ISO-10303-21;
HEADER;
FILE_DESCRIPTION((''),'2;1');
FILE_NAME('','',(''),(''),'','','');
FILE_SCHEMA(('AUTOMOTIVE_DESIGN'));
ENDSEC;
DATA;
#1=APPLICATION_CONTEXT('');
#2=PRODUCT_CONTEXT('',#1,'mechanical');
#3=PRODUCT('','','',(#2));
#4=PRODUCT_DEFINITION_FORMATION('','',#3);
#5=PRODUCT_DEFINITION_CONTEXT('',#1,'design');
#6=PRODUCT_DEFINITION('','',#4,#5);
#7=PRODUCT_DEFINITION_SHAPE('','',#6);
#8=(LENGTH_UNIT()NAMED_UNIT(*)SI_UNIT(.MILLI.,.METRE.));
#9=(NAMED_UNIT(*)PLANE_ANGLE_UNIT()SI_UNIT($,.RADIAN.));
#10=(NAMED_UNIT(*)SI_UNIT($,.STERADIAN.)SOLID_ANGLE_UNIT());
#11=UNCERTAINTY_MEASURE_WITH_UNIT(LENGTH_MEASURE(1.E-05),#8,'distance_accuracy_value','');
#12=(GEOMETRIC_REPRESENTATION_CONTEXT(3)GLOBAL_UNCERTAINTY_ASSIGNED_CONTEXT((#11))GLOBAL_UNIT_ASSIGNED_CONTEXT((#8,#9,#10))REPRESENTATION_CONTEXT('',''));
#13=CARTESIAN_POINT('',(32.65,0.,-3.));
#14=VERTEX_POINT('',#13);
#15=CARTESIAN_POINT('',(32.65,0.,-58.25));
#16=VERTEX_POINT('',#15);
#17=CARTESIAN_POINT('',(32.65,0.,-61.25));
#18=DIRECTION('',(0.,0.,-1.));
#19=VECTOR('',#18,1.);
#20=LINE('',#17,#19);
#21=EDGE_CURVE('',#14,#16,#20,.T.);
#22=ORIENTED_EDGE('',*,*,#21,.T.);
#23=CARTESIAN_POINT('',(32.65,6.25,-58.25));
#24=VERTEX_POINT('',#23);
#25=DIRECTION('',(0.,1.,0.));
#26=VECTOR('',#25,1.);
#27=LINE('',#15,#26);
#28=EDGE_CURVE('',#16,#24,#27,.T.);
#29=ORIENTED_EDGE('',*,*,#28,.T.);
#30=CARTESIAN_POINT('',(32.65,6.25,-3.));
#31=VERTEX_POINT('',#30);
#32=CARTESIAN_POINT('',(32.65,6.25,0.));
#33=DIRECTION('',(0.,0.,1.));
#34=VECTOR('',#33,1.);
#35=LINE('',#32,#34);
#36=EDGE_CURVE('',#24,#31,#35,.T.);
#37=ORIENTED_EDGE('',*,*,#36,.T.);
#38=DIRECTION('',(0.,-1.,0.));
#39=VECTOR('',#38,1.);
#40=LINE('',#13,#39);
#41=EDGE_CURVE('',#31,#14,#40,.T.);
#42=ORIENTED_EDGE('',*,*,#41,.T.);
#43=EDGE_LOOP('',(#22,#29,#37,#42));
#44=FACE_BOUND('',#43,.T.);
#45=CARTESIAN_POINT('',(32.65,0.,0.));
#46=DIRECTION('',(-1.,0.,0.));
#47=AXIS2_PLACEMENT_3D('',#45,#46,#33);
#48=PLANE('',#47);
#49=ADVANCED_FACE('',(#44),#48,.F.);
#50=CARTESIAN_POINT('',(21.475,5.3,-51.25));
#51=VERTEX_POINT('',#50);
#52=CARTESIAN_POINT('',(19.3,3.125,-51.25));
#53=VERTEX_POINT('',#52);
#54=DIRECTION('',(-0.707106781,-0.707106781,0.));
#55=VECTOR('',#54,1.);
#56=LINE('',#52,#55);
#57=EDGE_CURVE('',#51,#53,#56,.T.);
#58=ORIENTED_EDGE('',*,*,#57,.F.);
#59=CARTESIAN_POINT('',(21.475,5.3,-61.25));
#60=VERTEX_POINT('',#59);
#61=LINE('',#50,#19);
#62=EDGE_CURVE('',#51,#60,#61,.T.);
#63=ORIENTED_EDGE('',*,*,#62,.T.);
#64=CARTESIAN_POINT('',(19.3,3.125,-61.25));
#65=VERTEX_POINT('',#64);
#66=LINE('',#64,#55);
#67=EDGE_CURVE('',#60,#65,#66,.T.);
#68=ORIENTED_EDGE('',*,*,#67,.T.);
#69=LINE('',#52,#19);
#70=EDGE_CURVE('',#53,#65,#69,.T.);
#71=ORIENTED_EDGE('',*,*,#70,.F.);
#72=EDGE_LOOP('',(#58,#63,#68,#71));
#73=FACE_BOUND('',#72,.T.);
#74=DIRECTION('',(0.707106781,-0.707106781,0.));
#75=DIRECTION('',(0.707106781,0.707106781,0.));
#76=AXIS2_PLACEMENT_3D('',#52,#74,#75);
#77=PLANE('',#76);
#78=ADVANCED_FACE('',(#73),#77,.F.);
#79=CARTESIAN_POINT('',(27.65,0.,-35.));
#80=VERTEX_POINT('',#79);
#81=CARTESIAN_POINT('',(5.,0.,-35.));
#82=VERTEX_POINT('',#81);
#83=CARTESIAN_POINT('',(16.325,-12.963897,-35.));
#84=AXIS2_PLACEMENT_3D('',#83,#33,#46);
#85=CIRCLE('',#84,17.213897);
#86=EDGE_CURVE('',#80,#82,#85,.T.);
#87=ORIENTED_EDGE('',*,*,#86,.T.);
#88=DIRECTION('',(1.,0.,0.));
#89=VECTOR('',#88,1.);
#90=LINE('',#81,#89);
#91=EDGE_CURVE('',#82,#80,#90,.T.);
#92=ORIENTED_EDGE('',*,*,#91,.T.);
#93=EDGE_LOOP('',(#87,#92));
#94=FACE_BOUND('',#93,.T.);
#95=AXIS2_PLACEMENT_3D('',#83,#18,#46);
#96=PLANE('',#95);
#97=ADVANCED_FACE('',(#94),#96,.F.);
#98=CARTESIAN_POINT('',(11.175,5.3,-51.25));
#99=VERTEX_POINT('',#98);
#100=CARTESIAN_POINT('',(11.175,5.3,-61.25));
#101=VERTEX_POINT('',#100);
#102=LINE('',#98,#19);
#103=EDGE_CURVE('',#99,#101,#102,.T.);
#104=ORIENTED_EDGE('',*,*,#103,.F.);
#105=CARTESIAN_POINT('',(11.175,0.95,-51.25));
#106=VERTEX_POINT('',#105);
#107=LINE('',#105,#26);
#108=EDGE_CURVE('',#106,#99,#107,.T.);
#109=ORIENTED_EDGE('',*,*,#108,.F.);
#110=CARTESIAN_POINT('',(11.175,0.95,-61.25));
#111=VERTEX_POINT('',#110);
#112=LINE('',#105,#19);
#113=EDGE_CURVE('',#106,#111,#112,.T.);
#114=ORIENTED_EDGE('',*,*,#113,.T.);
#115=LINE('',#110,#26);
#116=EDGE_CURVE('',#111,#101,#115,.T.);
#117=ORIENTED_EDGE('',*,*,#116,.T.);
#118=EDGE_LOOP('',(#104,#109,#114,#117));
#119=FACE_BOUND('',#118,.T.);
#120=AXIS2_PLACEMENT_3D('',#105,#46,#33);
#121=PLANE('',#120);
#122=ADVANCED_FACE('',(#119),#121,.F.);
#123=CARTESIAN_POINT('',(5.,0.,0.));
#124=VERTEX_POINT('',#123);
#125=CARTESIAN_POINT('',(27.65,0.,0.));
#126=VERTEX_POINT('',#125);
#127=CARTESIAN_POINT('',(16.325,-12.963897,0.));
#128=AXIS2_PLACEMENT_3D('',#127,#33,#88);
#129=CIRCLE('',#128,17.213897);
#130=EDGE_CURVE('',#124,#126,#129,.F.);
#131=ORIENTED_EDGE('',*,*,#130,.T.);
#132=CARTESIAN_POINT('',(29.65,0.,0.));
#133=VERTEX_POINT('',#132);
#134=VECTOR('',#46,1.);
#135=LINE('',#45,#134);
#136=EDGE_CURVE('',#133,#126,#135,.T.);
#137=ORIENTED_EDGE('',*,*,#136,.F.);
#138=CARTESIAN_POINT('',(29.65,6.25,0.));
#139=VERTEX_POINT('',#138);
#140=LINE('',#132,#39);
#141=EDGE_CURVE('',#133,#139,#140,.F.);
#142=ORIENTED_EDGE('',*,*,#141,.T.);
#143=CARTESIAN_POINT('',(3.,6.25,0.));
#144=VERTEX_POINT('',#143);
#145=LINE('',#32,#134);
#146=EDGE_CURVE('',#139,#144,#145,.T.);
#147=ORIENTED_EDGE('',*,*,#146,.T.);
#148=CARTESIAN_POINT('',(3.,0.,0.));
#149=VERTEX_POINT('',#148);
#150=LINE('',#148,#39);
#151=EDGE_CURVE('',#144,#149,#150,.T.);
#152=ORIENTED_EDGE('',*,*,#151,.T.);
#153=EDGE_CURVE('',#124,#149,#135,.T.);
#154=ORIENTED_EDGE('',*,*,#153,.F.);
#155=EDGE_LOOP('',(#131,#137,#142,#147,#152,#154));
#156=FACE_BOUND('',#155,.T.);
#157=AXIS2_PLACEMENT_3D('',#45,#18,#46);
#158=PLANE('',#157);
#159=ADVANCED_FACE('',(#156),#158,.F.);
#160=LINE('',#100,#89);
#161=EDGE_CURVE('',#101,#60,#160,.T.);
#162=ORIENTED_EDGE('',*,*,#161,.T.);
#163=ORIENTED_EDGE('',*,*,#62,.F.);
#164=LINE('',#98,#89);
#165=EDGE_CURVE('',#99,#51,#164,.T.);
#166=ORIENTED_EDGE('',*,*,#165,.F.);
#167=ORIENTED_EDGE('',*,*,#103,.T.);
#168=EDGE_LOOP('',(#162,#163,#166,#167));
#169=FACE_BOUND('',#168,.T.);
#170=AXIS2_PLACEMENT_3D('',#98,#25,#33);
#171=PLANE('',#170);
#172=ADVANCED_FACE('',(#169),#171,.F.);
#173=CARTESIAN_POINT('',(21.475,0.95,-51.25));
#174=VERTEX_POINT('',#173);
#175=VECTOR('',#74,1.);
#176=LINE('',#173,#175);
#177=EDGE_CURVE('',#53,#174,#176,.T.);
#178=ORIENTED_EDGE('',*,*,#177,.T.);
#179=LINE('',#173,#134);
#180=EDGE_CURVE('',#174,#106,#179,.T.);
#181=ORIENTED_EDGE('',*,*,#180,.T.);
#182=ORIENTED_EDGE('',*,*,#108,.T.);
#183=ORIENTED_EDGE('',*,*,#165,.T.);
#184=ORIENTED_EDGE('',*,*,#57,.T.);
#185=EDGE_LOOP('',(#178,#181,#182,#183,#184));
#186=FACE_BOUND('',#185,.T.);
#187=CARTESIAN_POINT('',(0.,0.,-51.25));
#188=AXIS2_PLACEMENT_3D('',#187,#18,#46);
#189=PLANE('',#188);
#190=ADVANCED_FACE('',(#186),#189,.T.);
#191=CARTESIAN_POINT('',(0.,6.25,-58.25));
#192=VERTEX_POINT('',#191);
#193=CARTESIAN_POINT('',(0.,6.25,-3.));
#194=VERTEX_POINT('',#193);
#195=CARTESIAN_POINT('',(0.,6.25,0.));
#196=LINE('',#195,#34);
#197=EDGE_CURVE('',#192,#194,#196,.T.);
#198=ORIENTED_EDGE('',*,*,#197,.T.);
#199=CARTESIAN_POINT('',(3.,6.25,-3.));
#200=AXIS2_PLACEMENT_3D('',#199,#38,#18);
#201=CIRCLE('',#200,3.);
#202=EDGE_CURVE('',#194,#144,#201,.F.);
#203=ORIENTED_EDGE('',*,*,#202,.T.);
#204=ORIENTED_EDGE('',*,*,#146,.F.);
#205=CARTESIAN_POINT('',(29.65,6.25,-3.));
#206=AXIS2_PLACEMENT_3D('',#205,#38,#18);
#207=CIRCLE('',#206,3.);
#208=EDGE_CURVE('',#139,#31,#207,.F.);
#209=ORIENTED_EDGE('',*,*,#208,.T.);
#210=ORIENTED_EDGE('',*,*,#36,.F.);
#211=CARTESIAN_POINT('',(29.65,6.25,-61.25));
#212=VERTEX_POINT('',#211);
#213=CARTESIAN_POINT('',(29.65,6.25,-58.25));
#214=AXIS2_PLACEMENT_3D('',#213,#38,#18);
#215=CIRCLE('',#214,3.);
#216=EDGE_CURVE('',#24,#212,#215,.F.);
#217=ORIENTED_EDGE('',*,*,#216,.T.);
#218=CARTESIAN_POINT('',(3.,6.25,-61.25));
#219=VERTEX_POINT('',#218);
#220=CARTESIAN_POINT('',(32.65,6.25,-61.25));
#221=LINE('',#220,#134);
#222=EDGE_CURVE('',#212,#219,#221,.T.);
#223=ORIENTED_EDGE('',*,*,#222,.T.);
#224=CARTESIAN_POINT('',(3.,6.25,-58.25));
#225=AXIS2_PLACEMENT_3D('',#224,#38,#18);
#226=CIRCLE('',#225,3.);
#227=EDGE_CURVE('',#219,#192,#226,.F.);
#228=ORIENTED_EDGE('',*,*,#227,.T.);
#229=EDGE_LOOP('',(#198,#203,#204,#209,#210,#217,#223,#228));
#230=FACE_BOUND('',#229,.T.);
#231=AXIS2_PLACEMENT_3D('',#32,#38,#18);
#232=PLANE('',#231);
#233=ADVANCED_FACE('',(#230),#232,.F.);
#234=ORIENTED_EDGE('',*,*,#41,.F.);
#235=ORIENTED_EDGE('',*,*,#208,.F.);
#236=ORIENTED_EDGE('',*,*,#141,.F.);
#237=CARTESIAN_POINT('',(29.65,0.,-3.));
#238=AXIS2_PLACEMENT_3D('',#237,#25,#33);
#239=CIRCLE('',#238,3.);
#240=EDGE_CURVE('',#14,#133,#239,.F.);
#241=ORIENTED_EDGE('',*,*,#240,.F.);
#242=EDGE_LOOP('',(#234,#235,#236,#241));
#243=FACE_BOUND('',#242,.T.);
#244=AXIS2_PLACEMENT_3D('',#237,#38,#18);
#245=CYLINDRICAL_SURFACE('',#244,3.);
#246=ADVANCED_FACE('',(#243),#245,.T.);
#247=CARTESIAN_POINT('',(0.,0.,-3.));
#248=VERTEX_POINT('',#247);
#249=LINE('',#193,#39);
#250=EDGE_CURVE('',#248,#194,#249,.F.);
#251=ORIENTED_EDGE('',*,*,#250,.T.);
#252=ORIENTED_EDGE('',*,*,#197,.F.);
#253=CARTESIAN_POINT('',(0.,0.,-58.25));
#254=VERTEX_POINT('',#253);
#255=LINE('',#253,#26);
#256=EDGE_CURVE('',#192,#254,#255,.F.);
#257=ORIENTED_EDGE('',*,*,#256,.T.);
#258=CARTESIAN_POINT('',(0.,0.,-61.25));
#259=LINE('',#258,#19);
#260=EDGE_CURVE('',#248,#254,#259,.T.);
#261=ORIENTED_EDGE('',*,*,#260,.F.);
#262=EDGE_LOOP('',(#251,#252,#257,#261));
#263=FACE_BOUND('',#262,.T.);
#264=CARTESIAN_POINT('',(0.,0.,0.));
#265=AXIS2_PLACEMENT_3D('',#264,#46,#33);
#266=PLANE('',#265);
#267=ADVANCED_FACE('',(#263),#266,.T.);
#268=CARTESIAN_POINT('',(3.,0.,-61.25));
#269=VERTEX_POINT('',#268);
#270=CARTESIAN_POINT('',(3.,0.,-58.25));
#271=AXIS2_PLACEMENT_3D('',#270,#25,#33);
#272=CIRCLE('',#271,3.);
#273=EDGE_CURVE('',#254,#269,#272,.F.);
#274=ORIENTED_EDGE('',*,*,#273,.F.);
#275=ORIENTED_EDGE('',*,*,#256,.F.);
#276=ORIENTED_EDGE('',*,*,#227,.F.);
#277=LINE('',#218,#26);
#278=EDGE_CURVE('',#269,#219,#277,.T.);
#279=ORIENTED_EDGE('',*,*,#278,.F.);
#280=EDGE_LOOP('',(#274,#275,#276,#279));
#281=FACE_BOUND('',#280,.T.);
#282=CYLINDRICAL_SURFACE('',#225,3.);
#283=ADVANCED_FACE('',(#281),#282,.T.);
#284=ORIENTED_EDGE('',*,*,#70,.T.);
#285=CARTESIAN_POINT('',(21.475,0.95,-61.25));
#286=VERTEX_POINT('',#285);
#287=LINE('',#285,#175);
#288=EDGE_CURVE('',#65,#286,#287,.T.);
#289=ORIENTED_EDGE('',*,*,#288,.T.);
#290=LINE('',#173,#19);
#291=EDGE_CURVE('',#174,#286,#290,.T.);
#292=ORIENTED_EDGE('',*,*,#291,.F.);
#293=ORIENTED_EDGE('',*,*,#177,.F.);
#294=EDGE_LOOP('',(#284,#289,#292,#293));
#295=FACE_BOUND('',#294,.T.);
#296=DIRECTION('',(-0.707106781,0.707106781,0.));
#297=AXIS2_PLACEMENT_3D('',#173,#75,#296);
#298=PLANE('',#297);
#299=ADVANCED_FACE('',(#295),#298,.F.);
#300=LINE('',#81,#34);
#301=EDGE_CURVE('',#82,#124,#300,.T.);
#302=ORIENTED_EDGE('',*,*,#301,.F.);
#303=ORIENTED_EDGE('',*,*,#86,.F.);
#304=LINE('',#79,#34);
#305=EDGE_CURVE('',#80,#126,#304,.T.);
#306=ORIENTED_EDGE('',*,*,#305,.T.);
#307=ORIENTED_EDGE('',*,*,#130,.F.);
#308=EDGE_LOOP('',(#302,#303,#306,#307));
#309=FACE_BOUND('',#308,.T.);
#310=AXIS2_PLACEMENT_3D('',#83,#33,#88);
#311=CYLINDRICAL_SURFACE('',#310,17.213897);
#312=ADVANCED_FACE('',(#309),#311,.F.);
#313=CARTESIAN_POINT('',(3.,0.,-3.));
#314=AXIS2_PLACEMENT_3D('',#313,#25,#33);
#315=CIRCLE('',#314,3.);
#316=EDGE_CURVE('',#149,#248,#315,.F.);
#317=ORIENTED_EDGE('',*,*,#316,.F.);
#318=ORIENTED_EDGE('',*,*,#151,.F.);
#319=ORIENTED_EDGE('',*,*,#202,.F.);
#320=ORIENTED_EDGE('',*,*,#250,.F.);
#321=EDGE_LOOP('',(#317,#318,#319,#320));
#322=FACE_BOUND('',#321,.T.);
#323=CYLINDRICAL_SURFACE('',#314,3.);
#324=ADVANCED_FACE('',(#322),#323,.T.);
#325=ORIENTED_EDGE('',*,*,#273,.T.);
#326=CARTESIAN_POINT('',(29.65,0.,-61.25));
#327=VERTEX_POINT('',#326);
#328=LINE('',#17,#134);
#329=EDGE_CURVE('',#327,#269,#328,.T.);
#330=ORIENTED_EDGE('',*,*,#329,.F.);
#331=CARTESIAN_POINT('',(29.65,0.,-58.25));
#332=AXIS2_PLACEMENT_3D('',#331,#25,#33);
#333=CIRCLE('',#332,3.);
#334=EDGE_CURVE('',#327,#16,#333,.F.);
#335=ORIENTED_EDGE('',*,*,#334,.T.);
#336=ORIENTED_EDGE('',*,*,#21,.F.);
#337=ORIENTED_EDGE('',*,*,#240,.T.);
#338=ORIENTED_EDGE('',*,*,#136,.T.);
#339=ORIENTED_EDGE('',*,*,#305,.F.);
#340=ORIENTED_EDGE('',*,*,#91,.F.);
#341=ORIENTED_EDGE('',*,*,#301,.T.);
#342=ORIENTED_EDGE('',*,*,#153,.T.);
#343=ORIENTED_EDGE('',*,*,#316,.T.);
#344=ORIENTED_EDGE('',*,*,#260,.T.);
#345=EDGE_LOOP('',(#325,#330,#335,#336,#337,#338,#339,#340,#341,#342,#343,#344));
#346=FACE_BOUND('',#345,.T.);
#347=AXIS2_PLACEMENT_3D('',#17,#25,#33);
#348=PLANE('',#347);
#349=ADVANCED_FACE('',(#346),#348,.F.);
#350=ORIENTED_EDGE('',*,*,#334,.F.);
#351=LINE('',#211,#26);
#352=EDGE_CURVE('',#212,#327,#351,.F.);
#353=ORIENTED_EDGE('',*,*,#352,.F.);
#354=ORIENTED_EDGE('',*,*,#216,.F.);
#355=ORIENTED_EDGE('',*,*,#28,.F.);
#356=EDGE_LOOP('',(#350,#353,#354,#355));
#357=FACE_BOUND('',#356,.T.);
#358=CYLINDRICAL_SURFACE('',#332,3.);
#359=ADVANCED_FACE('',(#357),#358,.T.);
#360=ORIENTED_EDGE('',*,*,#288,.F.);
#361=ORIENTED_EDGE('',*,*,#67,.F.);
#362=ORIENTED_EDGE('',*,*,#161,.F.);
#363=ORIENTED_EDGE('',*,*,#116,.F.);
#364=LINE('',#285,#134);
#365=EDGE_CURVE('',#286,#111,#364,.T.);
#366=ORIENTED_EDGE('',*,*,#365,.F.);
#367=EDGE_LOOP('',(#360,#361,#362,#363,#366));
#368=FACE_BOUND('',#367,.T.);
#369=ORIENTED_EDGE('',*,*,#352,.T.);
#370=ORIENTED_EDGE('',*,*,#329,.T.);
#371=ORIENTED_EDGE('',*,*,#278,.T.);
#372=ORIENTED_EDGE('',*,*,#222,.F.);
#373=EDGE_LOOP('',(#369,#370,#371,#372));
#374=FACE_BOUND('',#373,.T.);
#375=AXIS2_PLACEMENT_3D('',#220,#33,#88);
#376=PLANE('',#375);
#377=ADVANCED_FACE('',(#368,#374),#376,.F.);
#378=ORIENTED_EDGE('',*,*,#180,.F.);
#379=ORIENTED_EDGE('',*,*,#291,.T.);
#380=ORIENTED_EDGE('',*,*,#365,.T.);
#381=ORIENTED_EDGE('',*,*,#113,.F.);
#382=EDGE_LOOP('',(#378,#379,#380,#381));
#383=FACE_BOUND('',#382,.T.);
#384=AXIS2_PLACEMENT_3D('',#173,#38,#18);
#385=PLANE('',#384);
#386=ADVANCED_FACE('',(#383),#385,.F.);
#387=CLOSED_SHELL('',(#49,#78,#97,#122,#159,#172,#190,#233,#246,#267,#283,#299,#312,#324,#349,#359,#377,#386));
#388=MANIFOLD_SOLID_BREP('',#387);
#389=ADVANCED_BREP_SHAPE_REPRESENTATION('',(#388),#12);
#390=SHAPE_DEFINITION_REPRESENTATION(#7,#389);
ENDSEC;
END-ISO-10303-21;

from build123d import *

# Parameters (mm, degrees)
SKETCH1_W               = 61.25
SKETCH1_H               = 6.25
BOSS_EXTRUDE1_DEPTH     = 32.65
CUT_EXTRUDE1_DEPTH      = 70.689651312
CUT_EXTRUDE1_DEPTH_BACK = 35
CUT_EXTRUDE2_DEPTH      = 10
FILLET1_R               = 3


with BuildPart() as part:
    # Sketch1 → Boss-Extrude1 (new body)
    with BuildSketch(Plane(origin=(0, 0, 0), x_dir=(0, 0, -1), z_dir=(1, 0, 0))):
        with Locations((30.625, 3.125)):
            Rectangle(SKETCH1_W, SKETCH1_H)
    extrude(amount=BOSS_EXTRUDE1_DEPTH)

    # Sketch2 → Cut-Extrude1 (cut, two sides: drawn at the far end of the back side and taken through both)
    with BuildSketch(Plane.XY.offset(-CUT_EXTRUDE1_DEPTH_BACK)):
        with BuildLine():
            Line((5, 0), (27.65, 0))
            ThreePointArc((27.65, 0), (16.325, 4.25), (5, 0))
        make_face()
    extrude(amount=CUT_EXTRUDE1_DEPTH + CUT_EXTRUDE1_DEPTH_BACK, mode=Mode.SUBTRACT)

    # Sketch3 → Cut-Extrude2 (cut)
    with BuildSketch(Plane(origin=(0, 0, -61.25), x_dir=(-1, 0, 0), z_dir=(0, 0, -1))):
        Polygon((-11.175, 0.95), (-11.175, 5.3), (-21.475, 5.3), (-19.3, 3.125), (-21.475, 0.95), align=None)
    extrude(amount=-CUT_EXTRUDE2_DEPTH, mode=Mode.SUBTRACT)

    # Fillet1
    fillet1_edges = [part.edges().sort_by_distance(p)[0] for p in [
        (32.65, 3.125, 0),
        (0, 3.125, 0),
        (0, 3.125, -61.25),
        (32.65, 3.125, -61.25),
    ]]
    fillet(fillet1_edges, radius=FILLET1_R)


solid = part.part
